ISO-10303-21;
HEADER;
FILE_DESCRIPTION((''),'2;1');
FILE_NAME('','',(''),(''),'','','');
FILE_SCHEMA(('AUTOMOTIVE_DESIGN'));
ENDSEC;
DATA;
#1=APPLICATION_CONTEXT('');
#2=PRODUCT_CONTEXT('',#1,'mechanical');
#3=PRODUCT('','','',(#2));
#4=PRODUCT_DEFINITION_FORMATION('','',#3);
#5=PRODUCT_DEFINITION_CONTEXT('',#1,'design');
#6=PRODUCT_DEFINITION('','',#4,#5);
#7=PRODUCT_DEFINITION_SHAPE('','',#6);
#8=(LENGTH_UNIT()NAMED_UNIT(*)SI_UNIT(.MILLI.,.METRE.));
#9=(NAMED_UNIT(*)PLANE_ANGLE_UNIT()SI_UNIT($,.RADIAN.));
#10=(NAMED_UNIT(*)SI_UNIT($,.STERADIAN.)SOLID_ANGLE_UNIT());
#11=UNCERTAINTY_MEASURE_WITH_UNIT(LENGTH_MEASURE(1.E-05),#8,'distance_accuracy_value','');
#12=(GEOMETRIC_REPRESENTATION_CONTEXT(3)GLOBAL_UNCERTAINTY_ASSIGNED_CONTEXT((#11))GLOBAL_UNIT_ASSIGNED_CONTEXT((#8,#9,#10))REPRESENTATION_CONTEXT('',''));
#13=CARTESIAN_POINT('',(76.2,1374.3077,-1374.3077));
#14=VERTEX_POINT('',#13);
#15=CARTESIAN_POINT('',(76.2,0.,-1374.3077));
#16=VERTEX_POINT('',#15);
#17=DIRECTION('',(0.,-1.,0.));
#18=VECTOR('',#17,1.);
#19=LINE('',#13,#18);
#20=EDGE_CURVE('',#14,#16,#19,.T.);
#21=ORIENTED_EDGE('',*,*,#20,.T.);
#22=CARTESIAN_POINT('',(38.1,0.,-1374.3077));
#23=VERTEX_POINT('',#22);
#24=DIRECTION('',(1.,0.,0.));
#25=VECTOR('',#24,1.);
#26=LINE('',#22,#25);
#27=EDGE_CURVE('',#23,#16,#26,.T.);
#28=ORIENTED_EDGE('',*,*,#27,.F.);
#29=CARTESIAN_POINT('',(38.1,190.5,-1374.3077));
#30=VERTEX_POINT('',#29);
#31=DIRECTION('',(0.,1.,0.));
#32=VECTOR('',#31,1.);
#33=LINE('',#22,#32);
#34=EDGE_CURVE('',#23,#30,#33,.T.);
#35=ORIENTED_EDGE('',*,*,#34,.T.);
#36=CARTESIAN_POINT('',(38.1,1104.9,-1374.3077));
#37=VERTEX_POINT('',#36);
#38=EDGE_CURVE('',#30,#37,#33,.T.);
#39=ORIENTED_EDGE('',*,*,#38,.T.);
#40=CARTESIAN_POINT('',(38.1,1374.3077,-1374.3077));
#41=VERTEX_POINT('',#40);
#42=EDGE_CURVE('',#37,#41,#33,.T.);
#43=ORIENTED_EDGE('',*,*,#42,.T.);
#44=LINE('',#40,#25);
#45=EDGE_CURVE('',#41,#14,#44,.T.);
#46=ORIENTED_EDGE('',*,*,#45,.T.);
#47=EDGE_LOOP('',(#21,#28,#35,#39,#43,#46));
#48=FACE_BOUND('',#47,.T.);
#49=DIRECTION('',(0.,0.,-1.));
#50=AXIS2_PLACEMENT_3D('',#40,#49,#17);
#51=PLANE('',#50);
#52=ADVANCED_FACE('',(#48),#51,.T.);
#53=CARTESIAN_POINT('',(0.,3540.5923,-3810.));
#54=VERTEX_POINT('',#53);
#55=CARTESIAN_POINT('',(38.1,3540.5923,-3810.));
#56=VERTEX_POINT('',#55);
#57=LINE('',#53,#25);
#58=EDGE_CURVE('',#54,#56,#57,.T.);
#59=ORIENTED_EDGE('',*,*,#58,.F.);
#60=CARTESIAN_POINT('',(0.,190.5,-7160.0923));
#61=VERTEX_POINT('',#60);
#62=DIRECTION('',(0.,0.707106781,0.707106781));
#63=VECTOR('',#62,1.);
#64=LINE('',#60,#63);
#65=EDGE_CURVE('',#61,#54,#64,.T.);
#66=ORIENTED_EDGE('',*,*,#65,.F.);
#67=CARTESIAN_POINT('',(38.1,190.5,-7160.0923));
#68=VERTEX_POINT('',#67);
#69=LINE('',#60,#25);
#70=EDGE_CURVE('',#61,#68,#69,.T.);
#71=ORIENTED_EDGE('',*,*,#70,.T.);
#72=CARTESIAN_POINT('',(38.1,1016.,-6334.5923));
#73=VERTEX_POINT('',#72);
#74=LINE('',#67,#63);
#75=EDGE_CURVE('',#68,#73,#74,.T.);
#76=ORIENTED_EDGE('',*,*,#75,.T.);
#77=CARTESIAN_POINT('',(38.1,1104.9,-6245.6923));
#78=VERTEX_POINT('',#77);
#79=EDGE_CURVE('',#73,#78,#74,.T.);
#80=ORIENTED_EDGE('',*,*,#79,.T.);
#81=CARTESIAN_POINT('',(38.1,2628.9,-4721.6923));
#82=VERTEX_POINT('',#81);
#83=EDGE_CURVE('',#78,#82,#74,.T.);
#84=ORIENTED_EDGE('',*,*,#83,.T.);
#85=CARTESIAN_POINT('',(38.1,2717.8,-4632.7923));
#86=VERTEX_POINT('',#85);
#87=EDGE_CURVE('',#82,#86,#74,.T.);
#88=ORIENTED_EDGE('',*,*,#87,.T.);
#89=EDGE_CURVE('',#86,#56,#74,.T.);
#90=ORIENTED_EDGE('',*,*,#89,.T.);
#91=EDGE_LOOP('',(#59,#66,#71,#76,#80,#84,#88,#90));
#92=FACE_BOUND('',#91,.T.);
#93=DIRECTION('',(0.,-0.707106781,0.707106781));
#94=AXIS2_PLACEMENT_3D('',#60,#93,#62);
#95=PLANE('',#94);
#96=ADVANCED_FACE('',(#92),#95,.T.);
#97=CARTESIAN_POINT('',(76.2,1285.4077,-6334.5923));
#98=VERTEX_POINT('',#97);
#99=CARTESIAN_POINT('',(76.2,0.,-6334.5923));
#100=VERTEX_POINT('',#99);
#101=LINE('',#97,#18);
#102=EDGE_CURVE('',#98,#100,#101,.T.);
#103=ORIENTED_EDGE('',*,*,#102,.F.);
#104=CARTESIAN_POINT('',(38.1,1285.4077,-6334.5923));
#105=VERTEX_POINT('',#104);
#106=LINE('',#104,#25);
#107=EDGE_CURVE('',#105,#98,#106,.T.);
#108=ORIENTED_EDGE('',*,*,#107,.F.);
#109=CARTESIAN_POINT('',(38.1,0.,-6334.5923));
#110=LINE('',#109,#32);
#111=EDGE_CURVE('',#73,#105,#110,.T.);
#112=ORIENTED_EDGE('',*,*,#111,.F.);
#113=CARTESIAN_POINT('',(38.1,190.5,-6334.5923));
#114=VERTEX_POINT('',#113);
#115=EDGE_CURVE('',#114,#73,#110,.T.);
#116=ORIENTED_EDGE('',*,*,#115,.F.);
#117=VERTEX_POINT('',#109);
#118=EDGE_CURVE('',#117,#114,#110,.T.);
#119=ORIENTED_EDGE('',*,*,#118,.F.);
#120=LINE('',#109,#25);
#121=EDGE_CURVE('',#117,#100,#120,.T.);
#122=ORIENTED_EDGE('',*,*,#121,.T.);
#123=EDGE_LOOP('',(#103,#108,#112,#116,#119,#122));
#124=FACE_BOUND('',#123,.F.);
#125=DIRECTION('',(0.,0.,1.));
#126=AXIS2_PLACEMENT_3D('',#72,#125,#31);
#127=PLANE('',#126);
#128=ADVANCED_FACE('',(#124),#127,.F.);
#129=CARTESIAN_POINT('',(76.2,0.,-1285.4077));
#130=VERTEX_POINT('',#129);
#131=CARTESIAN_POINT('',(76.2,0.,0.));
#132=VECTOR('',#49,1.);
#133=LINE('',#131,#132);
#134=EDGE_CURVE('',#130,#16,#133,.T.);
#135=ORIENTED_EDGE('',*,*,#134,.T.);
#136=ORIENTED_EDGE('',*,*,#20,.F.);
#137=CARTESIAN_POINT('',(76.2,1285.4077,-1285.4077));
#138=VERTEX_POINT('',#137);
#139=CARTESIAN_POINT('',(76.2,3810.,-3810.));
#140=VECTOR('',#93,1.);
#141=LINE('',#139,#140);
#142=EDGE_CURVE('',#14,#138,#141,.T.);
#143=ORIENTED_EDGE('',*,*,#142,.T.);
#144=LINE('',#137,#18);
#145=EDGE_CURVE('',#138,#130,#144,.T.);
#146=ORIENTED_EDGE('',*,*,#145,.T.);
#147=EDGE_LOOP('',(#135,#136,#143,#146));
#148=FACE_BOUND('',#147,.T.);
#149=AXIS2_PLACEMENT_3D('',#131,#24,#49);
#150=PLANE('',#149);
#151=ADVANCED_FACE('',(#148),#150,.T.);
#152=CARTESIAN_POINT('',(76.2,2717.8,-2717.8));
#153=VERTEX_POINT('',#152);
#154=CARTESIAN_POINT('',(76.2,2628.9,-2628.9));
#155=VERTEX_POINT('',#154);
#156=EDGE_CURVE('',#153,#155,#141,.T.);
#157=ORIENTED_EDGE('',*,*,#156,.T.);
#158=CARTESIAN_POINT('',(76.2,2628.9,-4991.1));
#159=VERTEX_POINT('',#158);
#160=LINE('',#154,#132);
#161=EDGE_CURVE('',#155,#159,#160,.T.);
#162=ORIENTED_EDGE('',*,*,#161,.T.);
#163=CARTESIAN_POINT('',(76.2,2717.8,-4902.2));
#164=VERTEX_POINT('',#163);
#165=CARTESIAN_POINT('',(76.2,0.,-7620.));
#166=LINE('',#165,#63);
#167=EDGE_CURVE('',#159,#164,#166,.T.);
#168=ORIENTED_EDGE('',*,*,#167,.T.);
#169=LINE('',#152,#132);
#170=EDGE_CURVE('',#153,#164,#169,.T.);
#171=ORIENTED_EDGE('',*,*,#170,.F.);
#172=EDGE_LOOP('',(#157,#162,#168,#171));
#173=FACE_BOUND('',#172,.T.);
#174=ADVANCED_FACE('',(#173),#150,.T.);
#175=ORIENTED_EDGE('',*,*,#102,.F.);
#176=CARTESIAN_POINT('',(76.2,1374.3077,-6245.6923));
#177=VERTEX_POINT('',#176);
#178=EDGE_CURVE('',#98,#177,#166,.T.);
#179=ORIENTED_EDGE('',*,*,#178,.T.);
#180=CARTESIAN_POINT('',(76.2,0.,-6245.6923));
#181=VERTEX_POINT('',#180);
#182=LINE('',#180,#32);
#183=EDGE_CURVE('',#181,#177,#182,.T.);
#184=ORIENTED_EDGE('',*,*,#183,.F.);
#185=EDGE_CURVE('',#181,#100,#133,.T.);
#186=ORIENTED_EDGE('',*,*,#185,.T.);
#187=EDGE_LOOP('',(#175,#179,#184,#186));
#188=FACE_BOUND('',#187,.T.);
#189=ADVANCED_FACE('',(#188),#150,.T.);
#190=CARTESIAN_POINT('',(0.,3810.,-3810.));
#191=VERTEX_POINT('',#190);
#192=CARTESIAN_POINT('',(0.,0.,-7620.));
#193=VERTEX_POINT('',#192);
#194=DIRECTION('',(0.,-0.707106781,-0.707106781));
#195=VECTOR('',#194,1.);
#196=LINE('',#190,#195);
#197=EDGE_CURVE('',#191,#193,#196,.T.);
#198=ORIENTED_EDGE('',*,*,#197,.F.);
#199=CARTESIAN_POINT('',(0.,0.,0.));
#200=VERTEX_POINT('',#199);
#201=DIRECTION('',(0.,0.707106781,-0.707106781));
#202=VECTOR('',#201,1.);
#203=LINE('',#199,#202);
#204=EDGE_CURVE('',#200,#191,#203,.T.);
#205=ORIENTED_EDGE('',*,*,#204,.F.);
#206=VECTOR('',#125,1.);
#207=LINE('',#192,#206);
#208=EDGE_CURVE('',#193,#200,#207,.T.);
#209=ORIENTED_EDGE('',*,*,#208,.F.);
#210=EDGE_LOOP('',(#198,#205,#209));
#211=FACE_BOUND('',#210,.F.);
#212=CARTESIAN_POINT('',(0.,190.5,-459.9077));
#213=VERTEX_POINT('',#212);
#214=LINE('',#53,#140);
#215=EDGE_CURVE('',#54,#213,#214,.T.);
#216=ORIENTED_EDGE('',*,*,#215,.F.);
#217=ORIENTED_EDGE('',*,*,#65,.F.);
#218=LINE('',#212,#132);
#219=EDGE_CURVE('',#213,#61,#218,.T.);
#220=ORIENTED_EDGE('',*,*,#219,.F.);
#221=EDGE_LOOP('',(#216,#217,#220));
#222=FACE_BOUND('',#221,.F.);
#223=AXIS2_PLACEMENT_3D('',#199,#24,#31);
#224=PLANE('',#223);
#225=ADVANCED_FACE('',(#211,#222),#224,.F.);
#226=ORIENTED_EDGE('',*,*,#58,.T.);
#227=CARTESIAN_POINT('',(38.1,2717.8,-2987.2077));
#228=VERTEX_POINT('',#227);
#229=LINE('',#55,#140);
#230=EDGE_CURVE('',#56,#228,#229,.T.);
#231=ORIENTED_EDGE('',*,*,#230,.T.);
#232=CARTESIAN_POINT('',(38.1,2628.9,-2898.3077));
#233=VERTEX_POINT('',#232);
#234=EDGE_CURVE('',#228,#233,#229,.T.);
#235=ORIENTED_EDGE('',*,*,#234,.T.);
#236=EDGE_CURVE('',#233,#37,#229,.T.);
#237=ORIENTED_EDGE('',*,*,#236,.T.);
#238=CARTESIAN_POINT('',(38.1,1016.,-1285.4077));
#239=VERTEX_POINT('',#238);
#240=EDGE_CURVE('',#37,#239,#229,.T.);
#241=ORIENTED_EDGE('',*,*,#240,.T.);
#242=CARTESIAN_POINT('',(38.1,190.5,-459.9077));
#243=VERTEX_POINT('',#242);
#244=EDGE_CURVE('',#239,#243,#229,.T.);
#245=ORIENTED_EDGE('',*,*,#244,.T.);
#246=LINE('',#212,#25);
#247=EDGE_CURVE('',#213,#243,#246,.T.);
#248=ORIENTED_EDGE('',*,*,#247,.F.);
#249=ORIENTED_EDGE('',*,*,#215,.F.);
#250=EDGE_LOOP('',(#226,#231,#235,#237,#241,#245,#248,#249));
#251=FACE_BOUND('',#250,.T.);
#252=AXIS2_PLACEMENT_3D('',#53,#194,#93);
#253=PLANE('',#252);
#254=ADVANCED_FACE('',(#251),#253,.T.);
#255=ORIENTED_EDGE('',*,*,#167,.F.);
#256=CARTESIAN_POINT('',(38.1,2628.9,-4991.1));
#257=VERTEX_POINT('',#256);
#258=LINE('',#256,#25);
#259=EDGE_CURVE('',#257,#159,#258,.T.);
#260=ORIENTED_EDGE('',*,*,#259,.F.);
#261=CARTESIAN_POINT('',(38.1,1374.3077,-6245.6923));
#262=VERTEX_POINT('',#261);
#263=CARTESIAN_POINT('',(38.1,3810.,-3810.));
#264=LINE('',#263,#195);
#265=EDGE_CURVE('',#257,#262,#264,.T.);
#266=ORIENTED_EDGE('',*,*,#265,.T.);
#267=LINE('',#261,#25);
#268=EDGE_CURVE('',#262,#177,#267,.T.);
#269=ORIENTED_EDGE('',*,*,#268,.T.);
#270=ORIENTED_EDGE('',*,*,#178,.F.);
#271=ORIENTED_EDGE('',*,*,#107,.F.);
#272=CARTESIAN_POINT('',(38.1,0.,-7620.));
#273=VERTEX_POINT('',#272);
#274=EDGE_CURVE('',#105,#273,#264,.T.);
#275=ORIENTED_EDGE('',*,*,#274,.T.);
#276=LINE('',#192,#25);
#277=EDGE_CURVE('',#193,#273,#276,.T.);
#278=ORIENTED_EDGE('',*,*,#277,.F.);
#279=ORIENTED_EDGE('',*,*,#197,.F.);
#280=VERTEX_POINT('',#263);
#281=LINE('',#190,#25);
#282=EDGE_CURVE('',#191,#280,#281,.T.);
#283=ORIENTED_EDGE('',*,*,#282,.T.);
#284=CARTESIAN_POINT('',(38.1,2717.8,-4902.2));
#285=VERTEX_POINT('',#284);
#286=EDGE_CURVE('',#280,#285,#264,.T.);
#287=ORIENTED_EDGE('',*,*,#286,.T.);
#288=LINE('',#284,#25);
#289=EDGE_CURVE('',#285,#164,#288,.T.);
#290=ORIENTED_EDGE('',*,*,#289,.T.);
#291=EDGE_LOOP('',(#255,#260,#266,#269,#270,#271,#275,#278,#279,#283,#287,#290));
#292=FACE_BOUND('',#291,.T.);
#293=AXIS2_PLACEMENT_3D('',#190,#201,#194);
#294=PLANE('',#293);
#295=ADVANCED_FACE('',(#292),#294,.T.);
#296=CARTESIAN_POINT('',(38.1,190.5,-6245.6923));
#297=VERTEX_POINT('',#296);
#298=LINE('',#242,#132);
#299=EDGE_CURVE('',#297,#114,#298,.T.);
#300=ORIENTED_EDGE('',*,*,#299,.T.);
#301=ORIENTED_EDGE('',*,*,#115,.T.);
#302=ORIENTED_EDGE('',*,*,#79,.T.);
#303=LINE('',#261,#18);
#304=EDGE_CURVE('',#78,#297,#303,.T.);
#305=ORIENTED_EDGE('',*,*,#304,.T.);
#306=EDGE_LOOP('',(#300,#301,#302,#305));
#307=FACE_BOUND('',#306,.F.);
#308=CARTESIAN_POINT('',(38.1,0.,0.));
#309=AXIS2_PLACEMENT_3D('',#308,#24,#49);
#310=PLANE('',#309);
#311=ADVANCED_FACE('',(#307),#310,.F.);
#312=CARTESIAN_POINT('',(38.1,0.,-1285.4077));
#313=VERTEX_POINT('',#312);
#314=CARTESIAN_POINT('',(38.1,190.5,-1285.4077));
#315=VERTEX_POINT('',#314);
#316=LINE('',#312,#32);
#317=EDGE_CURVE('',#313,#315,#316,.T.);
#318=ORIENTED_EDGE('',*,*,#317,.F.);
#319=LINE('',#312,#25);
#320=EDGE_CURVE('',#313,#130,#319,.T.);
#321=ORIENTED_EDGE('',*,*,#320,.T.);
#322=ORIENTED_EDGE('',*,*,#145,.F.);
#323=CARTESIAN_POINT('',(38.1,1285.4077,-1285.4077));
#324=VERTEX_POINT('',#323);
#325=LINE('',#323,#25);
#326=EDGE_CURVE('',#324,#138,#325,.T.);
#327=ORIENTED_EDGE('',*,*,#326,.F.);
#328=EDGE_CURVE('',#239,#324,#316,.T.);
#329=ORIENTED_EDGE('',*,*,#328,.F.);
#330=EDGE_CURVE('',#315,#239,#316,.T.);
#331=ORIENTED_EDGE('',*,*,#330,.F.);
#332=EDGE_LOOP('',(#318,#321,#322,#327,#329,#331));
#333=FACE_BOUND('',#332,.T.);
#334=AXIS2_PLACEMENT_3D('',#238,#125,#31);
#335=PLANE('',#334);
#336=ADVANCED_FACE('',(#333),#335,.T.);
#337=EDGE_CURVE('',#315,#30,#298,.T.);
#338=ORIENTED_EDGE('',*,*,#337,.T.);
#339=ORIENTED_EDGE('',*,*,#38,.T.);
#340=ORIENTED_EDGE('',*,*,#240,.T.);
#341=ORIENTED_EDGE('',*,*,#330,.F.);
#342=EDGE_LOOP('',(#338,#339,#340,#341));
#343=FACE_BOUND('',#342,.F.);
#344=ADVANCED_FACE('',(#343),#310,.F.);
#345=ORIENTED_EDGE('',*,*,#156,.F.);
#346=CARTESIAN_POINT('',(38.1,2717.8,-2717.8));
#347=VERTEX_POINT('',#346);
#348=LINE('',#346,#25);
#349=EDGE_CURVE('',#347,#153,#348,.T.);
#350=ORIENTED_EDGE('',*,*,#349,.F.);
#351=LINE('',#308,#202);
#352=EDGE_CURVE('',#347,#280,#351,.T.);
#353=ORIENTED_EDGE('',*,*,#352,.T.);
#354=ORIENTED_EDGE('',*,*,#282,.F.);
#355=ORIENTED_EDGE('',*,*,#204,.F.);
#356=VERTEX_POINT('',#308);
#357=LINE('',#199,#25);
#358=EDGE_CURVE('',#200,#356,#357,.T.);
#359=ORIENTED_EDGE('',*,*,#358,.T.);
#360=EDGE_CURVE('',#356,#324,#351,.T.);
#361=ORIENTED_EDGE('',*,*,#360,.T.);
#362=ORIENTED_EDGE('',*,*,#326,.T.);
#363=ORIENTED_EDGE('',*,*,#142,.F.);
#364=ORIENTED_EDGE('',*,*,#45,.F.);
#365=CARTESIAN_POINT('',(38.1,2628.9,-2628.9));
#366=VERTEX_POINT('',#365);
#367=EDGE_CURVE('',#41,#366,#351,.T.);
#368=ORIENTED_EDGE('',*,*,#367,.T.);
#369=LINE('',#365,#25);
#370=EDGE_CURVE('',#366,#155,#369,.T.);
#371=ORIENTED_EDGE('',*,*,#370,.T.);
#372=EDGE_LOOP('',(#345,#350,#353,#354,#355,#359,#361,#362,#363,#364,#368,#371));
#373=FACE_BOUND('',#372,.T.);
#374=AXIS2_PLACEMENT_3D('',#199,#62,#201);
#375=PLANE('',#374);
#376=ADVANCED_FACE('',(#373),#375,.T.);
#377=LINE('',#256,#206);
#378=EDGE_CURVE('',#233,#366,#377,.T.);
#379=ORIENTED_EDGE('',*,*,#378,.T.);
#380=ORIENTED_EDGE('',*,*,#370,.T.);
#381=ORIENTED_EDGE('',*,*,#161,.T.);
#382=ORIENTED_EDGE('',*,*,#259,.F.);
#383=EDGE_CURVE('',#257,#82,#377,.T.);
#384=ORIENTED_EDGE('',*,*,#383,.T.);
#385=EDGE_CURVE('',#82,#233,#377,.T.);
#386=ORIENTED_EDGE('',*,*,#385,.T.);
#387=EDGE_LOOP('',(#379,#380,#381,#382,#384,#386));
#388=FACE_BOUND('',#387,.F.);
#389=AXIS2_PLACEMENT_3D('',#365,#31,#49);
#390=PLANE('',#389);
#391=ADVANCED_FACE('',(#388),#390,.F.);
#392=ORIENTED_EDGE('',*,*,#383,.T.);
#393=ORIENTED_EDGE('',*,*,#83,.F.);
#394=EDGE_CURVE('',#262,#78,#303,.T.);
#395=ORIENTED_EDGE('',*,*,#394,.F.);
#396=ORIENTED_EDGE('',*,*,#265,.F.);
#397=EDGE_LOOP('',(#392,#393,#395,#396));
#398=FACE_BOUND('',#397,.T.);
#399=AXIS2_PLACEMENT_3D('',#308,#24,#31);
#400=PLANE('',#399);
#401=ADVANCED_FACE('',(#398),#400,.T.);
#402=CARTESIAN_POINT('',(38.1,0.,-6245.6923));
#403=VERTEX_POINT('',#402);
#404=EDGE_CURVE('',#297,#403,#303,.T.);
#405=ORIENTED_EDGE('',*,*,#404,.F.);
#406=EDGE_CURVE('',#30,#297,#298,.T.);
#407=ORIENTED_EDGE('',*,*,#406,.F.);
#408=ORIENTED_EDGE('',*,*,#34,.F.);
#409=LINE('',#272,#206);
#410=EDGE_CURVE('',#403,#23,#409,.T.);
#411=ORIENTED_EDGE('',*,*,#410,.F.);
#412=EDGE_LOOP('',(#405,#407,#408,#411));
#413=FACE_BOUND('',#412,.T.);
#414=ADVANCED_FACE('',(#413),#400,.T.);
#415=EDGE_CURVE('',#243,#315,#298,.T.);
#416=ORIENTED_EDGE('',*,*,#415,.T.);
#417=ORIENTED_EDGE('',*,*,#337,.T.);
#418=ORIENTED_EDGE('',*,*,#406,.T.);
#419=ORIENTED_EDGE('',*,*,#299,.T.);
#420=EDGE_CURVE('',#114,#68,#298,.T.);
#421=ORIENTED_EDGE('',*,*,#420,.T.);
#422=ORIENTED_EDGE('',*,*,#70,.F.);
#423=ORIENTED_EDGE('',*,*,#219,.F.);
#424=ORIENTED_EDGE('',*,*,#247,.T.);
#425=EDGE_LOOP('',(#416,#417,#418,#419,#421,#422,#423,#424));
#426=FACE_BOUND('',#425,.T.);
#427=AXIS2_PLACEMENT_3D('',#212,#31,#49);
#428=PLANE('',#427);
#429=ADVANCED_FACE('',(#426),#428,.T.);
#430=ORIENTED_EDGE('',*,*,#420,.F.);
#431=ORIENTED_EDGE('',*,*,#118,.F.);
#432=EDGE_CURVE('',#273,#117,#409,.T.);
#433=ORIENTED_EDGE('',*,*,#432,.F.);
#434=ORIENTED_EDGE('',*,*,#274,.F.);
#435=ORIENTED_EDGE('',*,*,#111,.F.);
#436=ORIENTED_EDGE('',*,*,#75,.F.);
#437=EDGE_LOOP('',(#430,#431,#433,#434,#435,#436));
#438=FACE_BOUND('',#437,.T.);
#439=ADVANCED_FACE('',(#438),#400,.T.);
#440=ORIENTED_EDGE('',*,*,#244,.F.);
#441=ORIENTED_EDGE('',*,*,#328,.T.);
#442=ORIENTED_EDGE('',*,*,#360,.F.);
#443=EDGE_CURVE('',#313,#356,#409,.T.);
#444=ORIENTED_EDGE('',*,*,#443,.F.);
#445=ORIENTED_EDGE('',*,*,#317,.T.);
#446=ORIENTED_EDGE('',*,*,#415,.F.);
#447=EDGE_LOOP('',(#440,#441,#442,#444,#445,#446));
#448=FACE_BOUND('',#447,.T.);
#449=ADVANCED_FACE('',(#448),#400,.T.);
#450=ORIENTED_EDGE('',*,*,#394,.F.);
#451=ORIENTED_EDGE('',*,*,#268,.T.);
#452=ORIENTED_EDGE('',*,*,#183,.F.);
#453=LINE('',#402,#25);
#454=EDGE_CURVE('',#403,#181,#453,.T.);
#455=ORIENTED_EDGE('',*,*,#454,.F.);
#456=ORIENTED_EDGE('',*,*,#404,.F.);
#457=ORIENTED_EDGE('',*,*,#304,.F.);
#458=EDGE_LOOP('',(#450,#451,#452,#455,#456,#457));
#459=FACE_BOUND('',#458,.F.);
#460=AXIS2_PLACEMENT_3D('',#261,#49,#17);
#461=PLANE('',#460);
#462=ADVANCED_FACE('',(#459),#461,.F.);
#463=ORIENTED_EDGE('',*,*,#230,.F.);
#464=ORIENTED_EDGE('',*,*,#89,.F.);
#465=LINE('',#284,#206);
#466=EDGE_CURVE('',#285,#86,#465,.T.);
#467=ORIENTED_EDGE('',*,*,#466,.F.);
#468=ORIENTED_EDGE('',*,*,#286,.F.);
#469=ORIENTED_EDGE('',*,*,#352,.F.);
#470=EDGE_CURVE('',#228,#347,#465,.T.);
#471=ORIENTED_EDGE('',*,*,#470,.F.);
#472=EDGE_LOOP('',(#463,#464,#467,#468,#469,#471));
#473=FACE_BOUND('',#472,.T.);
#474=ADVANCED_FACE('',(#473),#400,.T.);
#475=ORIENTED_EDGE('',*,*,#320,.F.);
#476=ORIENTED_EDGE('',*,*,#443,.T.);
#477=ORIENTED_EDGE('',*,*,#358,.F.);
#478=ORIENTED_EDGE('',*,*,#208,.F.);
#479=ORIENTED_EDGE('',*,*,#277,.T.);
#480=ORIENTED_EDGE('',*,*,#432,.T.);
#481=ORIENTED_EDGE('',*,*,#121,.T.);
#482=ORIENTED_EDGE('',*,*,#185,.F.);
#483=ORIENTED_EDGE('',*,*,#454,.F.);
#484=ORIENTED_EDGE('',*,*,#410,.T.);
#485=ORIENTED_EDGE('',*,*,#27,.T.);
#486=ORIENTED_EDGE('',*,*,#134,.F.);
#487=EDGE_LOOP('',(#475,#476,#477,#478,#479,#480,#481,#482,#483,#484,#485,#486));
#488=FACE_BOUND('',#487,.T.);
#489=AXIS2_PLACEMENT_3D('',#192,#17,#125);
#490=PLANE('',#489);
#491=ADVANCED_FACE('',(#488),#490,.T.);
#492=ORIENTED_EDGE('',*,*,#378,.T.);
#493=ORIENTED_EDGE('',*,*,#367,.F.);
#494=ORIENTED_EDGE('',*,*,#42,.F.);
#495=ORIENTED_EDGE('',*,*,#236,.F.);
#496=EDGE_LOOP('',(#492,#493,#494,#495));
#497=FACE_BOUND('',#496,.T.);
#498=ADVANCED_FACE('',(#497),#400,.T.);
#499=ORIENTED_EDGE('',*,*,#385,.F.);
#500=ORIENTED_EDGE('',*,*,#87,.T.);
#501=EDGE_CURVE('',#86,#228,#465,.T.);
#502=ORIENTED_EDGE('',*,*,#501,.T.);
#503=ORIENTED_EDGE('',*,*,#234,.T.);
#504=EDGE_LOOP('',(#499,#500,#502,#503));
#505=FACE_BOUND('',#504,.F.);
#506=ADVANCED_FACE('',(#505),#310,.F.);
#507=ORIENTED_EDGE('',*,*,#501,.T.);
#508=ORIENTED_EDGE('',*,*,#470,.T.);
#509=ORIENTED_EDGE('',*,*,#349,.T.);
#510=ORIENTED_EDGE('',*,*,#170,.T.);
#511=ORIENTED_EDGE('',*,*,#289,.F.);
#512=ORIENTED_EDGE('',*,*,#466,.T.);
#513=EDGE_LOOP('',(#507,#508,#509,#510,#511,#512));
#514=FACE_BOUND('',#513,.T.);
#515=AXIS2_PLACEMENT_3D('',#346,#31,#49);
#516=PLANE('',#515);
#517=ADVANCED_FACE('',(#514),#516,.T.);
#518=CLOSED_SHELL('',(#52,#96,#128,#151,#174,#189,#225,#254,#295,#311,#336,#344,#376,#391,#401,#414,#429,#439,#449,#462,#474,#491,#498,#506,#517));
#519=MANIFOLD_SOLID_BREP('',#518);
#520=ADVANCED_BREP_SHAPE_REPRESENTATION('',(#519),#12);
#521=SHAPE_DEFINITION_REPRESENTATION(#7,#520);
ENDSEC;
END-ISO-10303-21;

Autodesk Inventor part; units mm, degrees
ref_plane "YZ Plane" through (0, 0, 0) normal (1, 0, 0) x (0, 1, 0)
ref_plane "XZ Plane" through (0, 0, 0) normal (0, 1, 0) x (-1, 0, 0)
ref_plane "XY Plane" through (0, 0, 0) normal (0, 0, 1) x (1, 0, 0)
sketch "Sketch1" plane through (0, 0, 0) normal (1, 0, 0) x (0, 1, 0)
  line L0 (0, 0) -> (3810, -3810)
  line L1 (3810, -3810) -> (0, -7620)
  line L2 (0, -7620) -> (0, 0)
  line L3 (3540.5923, -3810) -> (190.5, -459.9077)
  line L4 (190.5, -459.9077) -> (190.5, -7160.0923)
  line L5 (190.5, -7160.0923) -> (3540.5923, -3810)
  dimension "d2" = 45
  dimension "d5" = 7620
  dimension "d6" = 190.5
extrude "Extrusion1" add sketch "Sketch1" along normal blind 38.1
sketch "Sketch2" plane through (38.1, 0, 0) normal (1, 0, 0) x (0, 0, -1)
  line L0 (3810, 3810) -> (0, 0) projected
  line L1 (2628.9, 2628.9) -> (2717.8, 2717.8)
  line L2 (7620, 0) -> (3810, 3810) projected
  line L3 (4902.2, 2717.8) -> (4991.1, 2628.9)
  line L4 (2628.9, 2628.9) -> (4991.1, 2628.9)
  line L5 (2717.8, 2717.8) -> (4902.2, 2717.8)
  line L6 (459.9077, 190.5) -> (3810, 3540.5923) projected
  line L7 (3810, 3540.5923) -> (7160.0923, 190.5) projected
  line L8 (7160.0923, 190.5) -> (459.9077, 190.5) projected
  line L9 (0, 0) -> (7620, 0) projected
  line L10 (6334.5923, 0) -> (6334.5923, 1285.4077)
  line L11 (6334.5923, 1285.4077) -> (6245.6923, 1374.3077)
  line L12 (6245.6923, 1374.3077) -> (6245.6923, 0)
  line L13 (6245.6923, 0) -> (6334.5923, 0)
  line L14 (1285.4077, 0) -> (1285.4077, 1285.4077)
  line L15 (1285.4077, 1285.4077) -> (1374.3077, 1374.3077)
  line L16 (1374.3077, 1374.3077) -> (1374.3077, 0)
  line L17 (1374.3077, 0) -> (1285.4077, 0)
  point P0 (6245.6923, 1104.9)
  point P1 (6245.6923, 190.5)
  point P2 (1374.3077, 1104.9)
  point P3 (1374.3077, 190.5)
  dimension "d7" = 88.9
  dimension "d9" = 2438.4
  dimension "d10" = 88.9
  dimension "d11" = 914.4
  dimension "d12" = 88.9
  dimension "d14" = 914.4
extrude "Extrusion2" add sketch "Sketch2" along normal blind 38.1 contours L5 L6 L4 L0 | L2 L4 L7 L5 | L5 L7 L4 L6 | L16 L6 L14 L0 | L2 L10 L7 L12 | L16 L8 L14 L6 | L7 L10 L8 L12 | L16 L9 L14 L8 | L8 L10 L9 L12
properties part number "Gable" material "Wood (Southern Pine)"
